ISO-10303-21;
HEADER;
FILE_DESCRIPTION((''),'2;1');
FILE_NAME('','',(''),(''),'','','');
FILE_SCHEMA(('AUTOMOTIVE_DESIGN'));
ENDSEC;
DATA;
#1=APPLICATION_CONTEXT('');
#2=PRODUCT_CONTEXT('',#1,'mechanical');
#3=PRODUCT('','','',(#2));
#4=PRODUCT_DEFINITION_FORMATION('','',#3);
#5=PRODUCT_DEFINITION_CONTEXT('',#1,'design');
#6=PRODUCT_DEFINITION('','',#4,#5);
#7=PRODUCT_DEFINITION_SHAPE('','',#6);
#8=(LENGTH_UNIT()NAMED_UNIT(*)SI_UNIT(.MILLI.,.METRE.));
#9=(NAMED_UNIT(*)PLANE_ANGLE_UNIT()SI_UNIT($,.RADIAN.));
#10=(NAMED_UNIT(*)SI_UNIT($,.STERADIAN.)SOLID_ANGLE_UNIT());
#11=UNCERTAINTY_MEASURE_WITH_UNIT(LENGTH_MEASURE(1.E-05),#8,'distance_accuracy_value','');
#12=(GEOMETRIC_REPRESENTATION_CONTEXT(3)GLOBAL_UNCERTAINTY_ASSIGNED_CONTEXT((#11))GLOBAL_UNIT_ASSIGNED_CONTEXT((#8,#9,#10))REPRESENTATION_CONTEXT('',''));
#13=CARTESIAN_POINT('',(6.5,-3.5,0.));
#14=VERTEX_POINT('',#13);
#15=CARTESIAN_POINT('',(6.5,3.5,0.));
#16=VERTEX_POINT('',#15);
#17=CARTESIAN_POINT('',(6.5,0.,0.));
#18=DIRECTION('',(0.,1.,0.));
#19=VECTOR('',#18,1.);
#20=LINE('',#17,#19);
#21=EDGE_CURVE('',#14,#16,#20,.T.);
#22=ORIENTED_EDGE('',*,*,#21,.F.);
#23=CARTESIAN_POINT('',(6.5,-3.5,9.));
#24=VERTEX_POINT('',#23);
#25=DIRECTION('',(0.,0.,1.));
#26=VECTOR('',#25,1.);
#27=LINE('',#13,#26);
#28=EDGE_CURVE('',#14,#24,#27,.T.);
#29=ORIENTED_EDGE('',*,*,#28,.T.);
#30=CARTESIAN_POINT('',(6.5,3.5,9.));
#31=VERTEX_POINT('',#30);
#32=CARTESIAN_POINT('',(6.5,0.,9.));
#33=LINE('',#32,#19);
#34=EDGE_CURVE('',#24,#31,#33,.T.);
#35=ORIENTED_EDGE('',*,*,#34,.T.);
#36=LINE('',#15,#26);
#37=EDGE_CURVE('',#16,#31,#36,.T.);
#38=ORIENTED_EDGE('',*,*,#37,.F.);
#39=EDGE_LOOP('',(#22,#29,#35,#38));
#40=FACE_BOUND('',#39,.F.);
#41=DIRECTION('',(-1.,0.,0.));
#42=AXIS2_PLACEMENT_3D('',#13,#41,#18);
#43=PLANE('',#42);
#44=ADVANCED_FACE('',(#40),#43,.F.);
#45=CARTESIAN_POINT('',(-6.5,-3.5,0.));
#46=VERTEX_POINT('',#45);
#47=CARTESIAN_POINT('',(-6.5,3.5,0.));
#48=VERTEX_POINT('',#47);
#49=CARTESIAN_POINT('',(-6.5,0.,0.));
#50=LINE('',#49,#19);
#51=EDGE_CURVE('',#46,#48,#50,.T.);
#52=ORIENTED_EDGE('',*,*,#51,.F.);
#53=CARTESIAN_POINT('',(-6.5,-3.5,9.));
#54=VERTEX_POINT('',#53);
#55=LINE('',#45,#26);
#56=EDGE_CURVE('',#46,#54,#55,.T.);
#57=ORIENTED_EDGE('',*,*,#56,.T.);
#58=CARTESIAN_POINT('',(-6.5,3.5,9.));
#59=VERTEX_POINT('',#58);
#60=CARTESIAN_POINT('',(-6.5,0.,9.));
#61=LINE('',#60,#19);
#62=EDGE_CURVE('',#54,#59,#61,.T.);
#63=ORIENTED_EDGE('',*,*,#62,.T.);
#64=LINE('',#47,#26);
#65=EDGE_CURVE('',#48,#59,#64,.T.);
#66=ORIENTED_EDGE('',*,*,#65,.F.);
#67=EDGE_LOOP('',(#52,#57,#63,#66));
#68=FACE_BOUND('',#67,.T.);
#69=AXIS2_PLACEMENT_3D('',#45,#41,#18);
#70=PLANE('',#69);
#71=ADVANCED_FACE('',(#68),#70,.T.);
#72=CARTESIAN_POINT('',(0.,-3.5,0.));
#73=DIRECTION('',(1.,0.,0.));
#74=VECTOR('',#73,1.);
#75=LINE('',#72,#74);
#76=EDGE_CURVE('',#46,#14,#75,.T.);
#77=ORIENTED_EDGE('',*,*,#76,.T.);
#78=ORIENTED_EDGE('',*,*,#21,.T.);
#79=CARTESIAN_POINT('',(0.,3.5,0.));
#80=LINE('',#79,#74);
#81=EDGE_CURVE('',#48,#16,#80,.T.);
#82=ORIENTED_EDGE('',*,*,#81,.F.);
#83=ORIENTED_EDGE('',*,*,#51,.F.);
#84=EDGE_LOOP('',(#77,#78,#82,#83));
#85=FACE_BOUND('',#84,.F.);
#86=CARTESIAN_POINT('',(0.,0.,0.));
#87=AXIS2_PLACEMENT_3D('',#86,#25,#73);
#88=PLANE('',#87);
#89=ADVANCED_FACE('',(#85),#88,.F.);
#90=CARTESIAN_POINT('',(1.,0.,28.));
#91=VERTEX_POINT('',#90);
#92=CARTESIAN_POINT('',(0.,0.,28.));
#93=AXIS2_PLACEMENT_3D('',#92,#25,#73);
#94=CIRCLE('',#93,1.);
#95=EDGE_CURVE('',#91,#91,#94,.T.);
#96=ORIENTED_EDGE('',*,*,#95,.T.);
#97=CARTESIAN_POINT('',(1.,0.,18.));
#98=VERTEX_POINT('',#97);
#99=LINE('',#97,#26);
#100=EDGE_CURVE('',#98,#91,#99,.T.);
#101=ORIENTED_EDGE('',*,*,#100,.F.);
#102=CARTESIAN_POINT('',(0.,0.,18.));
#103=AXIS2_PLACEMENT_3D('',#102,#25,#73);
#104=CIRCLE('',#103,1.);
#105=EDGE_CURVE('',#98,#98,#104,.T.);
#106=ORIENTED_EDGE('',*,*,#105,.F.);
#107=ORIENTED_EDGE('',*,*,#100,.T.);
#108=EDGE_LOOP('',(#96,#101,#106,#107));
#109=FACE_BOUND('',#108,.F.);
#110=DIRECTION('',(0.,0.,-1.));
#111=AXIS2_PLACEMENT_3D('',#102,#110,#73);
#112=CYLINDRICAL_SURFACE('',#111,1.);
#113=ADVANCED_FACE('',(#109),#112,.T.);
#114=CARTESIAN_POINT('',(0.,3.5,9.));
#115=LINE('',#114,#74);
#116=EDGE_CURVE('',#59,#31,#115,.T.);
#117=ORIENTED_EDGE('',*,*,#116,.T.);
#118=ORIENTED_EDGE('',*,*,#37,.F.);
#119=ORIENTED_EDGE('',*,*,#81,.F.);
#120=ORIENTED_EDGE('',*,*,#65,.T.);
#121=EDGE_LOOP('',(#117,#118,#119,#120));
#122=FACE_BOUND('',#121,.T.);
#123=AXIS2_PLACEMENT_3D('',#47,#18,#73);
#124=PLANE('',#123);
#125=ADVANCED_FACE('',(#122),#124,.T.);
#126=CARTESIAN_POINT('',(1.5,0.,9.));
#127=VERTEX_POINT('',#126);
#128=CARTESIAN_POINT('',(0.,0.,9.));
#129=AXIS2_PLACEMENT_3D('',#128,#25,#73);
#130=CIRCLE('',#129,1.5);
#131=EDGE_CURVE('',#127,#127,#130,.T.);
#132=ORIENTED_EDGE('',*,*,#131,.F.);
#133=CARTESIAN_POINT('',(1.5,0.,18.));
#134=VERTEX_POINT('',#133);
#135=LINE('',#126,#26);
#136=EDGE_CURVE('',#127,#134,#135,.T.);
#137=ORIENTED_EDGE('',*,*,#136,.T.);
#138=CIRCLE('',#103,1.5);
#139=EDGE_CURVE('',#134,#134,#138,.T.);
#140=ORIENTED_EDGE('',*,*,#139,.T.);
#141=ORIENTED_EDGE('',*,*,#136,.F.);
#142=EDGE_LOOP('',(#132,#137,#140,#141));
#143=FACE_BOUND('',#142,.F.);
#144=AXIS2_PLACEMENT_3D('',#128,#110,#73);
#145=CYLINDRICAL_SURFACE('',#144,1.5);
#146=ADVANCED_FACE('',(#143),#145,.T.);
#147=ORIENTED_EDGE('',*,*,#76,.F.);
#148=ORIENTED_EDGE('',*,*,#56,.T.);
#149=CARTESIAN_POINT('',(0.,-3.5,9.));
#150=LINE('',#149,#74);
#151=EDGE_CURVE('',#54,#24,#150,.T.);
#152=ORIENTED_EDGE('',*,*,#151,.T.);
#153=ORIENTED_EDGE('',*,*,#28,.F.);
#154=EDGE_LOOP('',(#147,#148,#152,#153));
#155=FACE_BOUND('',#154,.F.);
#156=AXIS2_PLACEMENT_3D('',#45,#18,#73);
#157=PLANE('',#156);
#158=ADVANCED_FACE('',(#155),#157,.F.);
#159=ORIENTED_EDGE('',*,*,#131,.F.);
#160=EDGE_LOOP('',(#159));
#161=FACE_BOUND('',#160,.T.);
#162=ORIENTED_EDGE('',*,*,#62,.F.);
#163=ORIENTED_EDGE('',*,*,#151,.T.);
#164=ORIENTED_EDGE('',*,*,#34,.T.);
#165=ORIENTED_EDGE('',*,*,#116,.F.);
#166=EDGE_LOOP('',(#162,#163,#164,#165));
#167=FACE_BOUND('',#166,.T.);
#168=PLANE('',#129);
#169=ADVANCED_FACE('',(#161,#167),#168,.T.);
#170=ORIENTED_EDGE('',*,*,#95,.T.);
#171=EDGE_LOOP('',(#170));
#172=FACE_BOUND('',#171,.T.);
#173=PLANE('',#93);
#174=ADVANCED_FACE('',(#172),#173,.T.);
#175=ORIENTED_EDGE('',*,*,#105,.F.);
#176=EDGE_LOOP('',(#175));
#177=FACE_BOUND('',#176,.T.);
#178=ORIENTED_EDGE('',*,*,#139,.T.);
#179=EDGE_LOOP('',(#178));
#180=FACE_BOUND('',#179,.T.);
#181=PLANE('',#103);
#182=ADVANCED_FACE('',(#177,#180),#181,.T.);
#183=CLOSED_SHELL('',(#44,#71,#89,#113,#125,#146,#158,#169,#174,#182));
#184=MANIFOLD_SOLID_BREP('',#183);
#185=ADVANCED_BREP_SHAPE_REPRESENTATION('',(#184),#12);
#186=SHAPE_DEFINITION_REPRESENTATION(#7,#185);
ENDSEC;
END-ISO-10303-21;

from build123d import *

# Parameters (mm, degrees)
F0_W     = 13
F0_H     = 7
F1_DEPTH = 9
F2_R     = 1.5
F3_DEPTH = 9
F4_R     = 1
F5_DEPTH = 10


with BuildPart() as f1:
    # F0 (on Top) → F1 (new body)
    with BuildSketch(Plane.XY):
        Rectangle(F0_W, F0_H)
    extrude(amount=F1_DEPTH)

    # F2 (on face) → F3 (join)
    with BuildSketch(Plane.XY.offset(9)):
        Circle(F2_R)
    extrude(amount=F3_DEPTH)

    # F4 (on face) → F5 (join)
    with BuildSketch(Plane.XY.offset(18)):
        Circle(F4_R)
    extrude(amount=F5_DEPTH)


solid = f1.part
